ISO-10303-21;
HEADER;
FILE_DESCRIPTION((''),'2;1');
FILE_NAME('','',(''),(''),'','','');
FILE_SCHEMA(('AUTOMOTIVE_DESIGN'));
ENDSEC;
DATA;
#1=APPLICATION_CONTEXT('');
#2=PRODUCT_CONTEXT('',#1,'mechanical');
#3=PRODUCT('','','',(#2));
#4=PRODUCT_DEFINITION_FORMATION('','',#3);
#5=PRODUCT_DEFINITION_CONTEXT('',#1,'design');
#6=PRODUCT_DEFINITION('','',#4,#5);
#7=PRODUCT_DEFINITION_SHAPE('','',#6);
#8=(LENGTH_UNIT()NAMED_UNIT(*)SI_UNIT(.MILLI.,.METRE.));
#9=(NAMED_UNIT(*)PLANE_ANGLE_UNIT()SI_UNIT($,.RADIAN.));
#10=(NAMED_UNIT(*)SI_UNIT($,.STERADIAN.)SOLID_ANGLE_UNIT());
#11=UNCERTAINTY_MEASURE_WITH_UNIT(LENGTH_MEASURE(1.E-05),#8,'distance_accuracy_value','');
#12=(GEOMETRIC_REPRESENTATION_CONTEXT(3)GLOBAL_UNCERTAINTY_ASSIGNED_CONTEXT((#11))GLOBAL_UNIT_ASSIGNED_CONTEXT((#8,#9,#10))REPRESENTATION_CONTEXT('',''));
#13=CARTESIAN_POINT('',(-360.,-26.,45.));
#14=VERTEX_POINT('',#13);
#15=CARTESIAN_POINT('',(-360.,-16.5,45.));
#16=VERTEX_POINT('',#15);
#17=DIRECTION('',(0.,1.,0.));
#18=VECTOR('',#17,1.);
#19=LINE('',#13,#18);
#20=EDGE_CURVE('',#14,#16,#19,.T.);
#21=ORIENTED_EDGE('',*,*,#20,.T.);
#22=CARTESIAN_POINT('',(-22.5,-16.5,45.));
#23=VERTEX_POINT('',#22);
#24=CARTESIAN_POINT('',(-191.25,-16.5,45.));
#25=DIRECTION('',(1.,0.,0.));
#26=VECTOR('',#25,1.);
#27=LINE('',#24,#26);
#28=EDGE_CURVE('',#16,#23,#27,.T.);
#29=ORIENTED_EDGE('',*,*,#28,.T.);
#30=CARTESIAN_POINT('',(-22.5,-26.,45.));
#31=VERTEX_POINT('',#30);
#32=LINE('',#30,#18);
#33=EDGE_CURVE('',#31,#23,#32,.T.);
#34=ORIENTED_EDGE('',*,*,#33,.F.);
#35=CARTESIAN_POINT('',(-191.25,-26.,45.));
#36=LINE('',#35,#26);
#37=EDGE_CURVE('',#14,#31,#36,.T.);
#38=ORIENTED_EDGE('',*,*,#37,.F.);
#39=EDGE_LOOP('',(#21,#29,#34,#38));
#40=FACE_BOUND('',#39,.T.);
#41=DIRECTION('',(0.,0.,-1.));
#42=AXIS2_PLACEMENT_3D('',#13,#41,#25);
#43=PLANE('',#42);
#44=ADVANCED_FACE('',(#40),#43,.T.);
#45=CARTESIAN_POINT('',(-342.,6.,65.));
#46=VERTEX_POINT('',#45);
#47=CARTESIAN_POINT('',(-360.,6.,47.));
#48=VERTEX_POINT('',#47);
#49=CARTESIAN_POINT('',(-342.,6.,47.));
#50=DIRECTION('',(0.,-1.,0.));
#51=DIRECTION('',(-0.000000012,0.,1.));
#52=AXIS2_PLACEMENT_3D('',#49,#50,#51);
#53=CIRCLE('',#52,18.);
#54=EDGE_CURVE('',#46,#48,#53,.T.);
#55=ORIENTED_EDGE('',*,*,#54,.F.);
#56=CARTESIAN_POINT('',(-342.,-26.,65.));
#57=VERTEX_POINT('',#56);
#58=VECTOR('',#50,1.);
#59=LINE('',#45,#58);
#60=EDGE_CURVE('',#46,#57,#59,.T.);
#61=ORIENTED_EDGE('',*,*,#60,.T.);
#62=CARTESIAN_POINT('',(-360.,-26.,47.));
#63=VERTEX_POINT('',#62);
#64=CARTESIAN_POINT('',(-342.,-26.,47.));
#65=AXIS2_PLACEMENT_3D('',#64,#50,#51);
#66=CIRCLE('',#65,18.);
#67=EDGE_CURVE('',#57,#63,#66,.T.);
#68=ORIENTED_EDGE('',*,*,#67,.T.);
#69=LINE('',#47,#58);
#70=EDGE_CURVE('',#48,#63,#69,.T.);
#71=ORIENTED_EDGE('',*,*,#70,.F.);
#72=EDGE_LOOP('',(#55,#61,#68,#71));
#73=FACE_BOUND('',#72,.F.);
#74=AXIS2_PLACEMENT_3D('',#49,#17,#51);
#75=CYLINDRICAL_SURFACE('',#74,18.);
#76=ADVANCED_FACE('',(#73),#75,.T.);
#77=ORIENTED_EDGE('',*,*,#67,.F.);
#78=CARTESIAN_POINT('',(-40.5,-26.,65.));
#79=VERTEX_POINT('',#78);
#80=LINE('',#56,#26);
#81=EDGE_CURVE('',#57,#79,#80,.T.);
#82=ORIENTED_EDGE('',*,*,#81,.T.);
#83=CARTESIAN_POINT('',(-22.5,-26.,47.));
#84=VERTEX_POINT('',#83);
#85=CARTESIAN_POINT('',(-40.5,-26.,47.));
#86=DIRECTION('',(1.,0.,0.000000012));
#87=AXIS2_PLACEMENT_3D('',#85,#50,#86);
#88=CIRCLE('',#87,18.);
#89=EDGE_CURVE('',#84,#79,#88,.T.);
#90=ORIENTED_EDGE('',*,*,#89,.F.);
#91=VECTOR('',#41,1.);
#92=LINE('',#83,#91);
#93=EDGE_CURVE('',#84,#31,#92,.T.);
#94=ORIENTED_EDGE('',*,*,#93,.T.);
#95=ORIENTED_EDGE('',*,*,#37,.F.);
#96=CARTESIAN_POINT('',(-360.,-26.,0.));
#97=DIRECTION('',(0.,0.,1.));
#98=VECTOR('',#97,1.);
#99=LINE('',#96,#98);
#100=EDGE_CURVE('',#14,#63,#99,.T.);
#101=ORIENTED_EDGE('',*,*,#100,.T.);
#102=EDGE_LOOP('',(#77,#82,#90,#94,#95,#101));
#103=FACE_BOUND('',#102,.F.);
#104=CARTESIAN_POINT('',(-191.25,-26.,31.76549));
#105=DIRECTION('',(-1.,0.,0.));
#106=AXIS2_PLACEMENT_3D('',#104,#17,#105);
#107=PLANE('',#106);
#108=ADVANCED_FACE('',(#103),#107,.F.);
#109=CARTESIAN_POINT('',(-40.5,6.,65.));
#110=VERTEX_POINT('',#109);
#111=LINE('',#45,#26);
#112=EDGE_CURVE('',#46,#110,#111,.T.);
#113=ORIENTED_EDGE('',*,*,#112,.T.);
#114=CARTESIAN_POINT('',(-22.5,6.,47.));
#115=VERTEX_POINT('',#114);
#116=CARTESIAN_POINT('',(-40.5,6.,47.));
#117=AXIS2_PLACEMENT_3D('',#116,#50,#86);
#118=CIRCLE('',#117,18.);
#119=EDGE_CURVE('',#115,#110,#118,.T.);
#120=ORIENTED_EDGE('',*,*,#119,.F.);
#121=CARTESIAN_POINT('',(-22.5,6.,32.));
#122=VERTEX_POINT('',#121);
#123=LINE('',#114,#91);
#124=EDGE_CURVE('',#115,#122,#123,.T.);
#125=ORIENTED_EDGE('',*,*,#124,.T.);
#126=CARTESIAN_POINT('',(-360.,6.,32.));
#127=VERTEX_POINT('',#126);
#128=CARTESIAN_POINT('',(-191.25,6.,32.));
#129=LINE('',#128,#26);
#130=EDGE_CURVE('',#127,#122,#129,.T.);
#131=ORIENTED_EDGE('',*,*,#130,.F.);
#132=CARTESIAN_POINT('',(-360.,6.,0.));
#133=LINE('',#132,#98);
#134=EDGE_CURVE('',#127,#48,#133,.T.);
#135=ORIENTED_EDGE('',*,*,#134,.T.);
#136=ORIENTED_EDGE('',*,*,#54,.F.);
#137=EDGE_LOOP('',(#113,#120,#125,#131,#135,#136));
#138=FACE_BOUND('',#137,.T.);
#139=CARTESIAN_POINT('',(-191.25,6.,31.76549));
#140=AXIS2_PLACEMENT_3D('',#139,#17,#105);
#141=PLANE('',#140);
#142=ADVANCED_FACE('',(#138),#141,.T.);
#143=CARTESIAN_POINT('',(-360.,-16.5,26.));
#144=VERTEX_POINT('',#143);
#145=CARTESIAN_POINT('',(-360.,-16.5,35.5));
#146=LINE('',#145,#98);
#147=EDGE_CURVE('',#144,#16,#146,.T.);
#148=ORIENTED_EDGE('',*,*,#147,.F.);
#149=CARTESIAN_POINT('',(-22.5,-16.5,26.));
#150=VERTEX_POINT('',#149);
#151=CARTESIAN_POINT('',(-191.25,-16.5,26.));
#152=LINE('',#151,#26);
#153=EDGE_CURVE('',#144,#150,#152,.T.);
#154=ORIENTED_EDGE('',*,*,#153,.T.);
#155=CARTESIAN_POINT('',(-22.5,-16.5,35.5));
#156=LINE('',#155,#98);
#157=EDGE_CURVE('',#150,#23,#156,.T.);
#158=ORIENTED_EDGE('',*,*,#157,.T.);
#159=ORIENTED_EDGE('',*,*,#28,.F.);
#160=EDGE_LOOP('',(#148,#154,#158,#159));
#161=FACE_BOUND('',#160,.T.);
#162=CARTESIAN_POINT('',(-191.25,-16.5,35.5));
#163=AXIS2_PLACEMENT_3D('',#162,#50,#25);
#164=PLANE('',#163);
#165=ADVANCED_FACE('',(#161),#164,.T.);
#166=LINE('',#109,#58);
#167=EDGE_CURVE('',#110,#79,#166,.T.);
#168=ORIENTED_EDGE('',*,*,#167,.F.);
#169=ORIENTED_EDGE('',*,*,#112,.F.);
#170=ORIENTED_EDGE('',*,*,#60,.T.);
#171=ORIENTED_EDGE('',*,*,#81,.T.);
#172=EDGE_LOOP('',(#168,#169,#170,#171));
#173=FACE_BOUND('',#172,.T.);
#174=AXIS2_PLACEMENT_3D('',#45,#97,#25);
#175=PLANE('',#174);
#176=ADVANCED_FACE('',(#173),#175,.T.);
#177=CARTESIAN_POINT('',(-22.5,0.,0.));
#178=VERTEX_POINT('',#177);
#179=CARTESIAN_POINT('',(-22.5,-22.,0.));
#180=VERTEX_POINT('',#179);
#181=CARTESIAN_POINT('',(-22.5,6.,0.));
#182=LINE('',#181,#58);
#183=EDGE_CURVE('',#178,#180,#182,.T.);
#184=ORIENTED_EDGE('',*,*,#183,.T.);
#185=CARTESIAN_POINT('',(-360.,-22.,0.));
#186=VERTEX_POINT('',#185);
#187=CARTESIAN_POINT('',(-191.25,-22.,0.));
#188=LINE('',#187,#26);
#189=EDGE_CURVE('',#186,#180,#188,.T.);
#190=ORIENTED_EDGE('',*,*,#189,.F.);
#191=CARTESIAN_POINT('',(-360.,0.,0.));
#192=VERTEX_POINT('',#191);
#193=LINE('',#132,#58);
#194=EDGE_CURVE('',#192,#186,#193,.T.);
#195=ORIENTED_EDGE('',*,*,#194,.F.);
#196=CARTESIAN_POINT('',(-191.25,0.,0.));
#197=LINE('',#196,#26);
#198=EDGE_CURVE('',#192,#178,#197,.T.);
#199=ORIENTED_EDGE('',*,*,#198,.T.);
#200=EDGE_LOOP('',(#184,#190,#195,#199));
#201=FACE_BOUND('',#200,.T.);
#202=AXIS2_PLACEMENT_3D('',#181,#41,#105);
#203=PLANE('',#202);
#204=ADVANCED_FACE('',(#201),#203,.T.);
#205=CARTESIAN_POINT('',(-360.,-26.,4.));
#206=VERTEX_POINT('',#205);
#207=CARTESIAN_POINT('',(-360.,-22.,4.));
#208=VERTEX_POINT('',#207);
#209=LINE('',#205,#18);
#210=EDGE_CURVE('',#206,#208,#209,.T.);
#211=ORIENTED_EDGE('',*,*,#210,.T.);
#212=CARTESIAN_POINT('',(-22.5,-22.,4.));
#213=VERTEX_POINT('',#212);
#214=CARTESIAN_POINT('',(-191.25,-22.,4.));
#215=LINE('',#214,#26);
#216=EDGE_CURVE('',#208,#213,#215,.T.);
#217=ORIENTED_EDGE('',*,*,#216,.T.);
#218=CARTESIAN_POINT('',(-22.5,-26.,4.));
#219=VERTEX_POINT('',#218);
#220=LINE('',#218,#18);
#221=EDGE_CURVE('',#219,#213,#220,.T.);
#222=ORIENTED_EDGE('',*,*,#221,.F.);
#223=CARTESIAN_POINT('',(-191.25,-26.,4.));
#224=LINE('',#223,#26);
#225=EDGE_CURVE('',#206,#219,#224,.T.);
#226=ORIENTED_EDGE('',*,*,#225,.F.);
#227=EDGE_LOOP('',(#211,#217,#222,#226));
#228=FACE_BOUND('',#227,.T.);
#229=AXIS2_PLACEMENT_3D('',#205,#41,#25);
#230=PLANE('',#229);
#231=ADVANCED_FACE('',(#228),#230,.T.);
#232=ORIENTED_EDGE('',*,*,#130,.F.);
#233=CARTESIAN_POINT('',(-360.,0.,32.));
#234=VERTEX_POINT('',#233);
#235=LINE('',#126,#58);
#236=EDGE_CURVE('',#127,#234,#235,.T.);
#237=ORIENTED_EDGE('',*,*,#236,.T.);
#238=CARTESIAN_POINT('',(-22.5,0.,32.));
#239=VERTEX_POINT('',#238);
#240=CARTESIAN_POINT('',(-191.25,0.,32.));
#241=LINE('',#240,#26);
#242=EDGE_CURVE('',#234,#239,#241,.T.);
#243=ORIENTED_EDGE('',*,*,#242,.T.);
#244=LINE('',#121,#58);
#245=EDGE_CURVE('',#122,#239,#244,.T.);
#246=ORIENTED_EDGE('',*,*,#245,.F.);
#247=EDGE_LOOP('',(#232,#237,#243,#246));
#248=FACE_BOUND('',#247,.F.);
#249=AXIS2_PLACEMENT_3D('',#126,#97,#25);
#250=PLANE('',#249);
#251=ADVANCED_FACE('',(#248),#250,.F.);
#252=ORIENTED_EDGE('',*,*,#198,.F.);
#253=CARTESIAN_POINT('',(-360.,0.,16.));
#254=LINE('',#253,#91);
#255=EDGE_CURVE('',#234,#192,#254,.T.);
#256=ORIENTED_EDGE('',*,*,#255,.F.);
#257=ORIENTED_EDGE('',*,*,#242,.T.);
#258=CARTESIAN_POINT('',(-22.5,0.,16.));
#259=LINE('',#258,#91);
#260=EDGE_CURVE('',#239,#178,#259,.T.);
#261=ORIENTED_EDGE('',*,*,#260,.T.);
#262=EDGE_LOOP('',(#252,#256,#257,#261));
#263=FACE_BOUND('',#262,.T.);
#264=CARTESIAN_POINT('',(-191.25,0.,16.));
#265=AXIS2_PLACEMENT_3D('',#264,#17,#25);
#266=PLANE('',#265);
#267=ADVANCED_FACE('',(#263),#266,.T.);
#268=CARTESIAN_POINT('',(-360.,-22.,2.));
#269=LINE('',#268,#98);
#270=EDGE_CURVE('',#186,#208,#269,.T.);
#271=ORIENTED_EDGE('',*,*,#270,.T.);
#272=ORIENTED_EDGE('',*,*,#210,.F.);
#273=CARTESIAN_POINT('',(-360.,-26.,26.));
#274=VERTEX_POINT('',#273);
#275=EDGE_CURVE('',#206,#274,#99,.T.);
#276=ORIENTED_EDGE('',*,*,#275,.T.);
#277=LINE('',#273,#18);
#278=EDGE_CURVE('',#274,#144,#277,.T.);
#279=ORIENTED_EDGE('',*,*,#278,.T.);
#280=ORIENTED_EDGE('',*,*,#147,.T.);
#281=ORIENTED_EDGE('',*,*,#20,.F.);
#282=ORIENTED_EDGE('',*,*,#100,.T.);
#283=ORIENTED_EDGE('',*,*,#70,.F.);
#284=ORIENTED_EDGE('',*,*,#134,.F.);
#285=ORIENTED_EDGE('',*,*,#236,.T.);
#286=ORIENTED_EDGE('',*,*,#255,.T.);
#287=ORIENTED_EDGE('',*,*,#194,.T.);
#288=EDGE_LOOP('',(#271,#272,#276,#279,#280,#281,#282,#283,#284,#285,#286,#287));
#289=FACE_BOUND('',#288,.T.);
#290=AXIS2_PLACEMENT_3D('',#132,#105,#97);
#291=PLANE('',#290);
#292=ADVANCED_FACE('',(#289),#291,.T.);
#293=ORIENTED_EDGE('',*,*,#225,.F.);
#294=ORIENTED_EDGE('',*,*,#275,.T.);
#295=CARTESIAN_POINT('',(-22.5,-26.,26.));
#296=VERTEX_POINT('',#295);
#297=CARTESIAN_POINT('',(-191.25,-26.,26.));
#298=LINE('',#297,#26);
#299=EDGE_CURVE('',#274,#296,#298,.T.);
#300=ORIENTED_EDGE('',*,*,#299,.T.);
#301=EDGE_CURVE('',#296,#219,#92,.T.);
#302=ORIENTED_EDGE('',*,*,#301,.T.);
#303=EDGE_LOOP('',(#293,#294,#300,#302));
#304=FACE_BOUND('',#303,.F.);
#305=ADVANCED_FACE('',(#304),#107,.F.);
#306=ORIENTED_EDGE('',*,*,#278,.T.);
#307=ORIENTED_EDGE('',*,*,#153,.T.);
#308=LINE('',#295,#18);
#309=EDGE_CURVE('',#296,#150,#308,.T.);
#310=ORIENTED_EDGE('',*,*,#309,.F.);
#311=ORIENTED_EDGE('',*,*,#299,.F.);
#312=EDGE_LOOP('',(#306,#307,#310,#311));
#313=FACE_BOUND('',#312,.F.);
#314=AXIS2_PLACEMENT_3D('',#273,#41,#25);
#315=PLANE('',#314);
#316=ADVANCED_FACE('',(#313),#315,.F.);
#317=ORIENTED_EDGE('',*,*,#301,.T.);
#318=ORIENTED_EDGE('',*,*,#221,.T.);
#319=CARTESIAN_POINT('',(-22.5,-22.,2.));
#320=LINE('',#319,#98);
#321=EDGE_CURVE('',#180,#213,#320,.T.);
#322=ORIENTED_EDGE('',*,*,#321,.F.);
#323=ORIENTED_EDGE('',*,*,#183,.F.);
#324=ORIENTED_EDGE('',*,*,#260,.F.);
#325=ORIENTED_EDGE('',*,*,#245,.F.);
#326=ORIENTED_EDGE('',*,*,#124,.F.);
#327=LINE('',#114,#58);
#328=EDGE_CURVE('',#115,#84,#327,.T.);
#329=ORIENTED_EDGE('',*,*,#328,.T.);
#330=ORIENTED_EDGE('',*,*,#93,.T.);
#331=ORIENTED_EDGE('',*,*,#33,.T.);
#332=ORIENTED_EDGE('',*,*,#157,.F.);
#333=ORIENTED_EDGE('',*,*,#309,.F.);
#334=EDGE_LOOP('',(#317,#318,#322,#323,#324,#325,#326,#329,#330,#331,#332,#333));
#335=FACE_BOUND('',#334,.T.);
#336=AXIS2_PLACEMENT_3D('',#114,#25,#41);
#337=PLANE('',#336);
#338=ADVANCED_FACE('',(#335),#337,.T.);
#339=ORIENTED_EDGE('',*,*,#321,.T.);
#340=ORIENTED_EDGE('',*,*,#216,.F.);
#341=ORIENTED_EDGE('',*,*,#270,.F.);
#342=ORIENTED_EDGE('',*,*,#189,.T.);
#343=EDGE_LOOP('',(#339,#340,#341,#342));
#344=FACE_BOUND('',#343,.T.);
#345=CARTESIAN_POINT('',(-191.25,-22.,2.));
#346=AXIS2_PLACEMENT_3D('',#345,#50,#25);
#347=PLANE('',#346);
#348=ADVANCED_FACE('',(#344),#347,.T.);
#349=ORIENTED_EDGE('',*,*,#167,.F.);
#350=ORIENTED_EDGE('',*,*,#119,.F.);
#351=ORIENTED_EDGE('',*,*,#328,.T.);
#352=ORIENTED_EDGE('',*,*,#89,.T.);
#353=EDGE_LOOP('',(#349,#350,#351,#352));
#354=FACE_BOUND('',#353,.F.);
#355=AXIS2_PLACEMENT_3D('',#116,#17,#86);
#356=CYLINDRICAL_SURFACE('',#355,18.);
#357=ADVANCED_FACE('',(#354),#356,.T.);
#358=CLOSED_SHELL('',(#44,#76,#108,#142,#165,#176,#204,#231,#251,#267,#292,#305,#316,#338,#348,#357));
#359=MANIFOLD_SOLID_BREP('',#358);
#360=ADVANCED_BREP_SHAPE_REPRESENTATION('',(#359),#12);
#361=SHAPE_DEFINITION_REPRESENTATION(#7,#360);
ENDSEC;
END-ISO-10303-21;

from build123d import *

# Parameters (mm, degrees)
PAD005_DEPTH            = 32
SKETCH013_W             = 337.5
SKETCH013_H             = 19
POCKET007_DEPTH         = 9.5
SKETCH014_W             = 337.5
SKETCH014_H             = 4
POCKET008_DEPTH         = 4
SKETCH015_W             = 337.5
SKETCH015_H             = 32
POCKET009_DEPTH         = 6
BODY004_PLACEMENT_ANGLE = 90


with BuildPart() as part:
    # Sketch012 → Pad005 (new body)
    with BuildSketch(Plane.XY):
        with BuildLine():
            Line((18, 65), (319.5, 65))
            ThreePointArc((337.5, 47), (332.227922, 59.727922), (319.5, 65))
            Line((337.5, 47), (337.5, 0))
            Line((337.5, 0), (0, 0))
            Line((0, 0), (0, 47))
            ThreePointArc((18, 65), (5.272078, 59.727922), (0, 47))
        make_face()
    extrude(amount=PAD005_DEPTH)

    # Sketch013 (on Face8 of Pad005) → Pocket007 (cut)
    with BuildSketch(Plane.XY.offset(32)):
        with Locations((168.75, 35.5)):
            Rectangle(SKETCH013_W, SKETCH013_H)
    extrude(amount=-POCKET007_DEPTH, mode=Mode.SUBTRACT)

    # Sketch014 (on Face4 of Pocket007) → Pocket008 (cut)
    with BuildSketch(Plane.XY.offset(32)):
        with Locations((168.75, 2)):
            Rectangle(SKETCH014_W, SKETCH014_H)
    extrude(amount=-POCKET008_DEPTH, mode=Mode.SUBTRACT)

    # Sketch015 (on Face2 of Pocket008) → Pocket009 (cut)
    with BuildSketch(Plane(origin=(0, 0, 0), x_dir=(1, 0, 0), z_dir=(0, 0, -1))):
        with Locations((168.75, -16)):
            Rectangle(SKETCH015_W, SKETCH015_H)
    extrude(amount=-POCKET009_DEPTH, mode=Mode.SUBTRACT)


with BuildPart() as part_1:
    # Body004 placement: moved
    add(part.part.moved(Location((22.5, 6, 0))).rotate(Axis((22.5, 6, 0), (1, 0, 0)), BODY004_PLACEMENT_ANGLE))


with BuildPart() as part_2:
    # Body006 placement: moved
    add(part_1.part.moved(Location((-382.5, 0, 0))))


solid = part_2.part
